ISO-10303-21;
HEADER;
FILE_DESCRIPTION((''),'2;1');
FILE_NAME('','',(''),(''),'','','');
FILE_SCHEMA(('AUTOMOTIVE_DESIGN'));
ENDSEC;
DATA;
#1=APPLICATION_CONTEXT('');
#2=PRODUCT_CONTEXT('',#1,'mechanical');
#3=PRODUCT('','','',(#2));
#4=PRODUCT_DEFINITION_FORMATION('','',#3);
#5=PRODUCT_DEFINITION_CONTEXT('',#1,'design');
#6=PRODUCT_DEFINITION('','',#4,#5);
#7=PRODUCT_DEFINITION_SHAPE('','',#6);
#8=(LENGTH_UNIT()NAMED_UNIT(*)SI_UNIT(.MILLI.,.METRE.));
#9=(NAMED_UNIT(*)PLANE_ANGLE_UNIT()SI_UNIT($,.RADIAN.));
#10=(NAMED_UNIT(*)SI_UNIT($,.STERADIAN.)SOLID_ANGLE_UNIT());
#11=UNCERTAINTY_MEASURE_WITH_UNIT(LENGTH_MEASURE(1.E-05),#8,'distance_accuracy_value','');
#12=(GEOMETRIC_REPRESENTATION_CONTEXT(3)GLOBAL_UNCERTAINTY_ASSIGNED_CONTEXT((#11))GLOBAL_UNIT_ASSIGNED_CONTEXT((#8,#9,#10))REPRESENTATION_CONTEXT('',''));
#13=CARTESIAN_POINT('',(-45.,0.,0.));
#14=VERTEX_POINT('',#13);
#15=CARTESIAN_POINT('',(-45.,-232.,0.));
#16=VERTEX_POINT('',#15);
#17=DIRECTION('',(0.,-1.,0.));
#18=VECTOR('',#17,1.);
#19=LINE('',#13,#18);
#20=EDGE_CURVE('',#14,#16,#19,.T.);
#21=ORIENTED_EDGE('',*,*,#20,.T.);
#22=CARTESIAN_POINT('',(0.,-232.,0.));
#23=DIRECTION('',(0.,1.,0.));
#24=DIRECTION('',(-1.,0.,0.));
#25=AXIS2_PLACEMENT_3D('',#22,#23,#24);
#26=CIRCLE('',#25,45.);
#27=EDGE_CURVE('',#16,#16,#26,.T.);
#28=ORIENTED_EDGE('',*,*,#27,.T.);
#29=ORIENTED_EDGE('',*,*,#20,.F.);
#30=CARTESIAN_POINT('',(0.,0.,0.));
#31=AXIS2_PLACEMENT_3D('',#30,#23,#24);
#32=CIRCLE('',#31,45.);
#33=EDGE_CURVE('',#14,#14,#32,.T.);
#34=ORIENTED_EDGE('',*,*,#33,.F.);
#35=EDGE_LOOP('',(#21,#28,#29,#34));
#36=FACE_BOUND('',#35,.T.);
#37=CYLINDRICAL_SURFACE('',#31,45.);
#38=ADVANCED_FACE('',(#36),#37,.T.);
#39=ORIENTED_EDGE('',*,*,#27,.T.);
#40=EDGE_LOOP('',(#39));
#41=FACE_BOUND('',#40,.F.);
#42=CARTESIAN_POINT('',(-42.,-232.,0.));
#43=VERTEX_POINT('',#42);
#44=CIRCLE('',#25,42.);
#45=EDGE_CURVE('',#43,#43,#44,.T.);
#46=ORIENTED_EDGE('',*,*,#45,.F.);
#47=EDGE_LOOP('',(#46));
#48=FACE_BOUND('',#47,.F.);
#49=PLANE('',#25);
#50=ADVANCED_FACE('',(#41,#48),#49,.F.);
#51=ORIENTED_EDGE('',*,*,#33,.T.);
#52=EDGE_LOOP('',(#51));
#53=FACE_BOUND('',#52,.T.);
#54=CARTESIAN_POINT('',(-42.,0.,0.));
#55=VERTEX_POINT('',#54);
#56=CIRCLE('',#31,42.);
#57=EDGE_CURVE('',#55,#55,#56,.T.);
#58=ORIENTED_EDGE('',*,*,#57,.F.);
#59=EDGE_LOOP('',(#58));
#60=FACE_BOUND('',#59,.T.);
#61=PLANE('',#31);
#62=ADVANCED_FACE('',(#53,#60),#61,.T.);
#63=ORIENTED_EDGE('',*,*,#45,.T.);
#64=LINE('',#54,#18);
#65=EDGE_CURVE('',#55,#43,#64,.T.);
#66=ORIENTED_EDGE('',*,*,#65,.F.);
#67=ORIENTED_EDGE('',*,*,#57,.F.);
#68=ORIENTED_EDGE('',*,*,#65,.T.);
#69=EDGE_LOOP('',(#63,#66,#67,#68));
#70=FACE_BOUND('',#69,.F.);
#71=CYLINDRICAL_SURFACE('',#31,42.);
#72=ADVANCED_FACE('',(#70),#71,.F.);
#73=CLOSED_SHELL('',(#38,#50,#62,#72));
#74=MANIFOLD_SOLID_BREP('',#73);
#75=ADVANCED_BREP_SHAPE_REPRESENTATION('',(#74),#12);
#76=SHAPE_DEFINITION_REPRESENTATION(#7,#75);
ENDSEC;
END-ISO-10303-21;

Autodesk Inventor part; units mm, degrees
ref_plane "YZ Plane" through (0, 0, 0) normal (1, 0, 0) x (0, 1, 0)
ref_plane "XZ Plane" through (0, 0, 0) normal (0, 1, 0) x (-1, 0, 0)
ref_plane "XY Plane" through (0, 0, 0) normal (0, 0, 1) x (1, 0, 0)
sketch "Sketch1" plane through (0, 0, 0) normal (0, 1, 0) x (-1, 0, 0)
  circle A0 centre (0, 0) radius 45
  circle A1 centre (0, 0) radius 42
  dimension "d0" = 90
  dimension "d1" = 3
extrude "Extrusion1" add sketch "Sketch1" against normal blind 232
properties part number "PNS- 652 tube_CPY"
